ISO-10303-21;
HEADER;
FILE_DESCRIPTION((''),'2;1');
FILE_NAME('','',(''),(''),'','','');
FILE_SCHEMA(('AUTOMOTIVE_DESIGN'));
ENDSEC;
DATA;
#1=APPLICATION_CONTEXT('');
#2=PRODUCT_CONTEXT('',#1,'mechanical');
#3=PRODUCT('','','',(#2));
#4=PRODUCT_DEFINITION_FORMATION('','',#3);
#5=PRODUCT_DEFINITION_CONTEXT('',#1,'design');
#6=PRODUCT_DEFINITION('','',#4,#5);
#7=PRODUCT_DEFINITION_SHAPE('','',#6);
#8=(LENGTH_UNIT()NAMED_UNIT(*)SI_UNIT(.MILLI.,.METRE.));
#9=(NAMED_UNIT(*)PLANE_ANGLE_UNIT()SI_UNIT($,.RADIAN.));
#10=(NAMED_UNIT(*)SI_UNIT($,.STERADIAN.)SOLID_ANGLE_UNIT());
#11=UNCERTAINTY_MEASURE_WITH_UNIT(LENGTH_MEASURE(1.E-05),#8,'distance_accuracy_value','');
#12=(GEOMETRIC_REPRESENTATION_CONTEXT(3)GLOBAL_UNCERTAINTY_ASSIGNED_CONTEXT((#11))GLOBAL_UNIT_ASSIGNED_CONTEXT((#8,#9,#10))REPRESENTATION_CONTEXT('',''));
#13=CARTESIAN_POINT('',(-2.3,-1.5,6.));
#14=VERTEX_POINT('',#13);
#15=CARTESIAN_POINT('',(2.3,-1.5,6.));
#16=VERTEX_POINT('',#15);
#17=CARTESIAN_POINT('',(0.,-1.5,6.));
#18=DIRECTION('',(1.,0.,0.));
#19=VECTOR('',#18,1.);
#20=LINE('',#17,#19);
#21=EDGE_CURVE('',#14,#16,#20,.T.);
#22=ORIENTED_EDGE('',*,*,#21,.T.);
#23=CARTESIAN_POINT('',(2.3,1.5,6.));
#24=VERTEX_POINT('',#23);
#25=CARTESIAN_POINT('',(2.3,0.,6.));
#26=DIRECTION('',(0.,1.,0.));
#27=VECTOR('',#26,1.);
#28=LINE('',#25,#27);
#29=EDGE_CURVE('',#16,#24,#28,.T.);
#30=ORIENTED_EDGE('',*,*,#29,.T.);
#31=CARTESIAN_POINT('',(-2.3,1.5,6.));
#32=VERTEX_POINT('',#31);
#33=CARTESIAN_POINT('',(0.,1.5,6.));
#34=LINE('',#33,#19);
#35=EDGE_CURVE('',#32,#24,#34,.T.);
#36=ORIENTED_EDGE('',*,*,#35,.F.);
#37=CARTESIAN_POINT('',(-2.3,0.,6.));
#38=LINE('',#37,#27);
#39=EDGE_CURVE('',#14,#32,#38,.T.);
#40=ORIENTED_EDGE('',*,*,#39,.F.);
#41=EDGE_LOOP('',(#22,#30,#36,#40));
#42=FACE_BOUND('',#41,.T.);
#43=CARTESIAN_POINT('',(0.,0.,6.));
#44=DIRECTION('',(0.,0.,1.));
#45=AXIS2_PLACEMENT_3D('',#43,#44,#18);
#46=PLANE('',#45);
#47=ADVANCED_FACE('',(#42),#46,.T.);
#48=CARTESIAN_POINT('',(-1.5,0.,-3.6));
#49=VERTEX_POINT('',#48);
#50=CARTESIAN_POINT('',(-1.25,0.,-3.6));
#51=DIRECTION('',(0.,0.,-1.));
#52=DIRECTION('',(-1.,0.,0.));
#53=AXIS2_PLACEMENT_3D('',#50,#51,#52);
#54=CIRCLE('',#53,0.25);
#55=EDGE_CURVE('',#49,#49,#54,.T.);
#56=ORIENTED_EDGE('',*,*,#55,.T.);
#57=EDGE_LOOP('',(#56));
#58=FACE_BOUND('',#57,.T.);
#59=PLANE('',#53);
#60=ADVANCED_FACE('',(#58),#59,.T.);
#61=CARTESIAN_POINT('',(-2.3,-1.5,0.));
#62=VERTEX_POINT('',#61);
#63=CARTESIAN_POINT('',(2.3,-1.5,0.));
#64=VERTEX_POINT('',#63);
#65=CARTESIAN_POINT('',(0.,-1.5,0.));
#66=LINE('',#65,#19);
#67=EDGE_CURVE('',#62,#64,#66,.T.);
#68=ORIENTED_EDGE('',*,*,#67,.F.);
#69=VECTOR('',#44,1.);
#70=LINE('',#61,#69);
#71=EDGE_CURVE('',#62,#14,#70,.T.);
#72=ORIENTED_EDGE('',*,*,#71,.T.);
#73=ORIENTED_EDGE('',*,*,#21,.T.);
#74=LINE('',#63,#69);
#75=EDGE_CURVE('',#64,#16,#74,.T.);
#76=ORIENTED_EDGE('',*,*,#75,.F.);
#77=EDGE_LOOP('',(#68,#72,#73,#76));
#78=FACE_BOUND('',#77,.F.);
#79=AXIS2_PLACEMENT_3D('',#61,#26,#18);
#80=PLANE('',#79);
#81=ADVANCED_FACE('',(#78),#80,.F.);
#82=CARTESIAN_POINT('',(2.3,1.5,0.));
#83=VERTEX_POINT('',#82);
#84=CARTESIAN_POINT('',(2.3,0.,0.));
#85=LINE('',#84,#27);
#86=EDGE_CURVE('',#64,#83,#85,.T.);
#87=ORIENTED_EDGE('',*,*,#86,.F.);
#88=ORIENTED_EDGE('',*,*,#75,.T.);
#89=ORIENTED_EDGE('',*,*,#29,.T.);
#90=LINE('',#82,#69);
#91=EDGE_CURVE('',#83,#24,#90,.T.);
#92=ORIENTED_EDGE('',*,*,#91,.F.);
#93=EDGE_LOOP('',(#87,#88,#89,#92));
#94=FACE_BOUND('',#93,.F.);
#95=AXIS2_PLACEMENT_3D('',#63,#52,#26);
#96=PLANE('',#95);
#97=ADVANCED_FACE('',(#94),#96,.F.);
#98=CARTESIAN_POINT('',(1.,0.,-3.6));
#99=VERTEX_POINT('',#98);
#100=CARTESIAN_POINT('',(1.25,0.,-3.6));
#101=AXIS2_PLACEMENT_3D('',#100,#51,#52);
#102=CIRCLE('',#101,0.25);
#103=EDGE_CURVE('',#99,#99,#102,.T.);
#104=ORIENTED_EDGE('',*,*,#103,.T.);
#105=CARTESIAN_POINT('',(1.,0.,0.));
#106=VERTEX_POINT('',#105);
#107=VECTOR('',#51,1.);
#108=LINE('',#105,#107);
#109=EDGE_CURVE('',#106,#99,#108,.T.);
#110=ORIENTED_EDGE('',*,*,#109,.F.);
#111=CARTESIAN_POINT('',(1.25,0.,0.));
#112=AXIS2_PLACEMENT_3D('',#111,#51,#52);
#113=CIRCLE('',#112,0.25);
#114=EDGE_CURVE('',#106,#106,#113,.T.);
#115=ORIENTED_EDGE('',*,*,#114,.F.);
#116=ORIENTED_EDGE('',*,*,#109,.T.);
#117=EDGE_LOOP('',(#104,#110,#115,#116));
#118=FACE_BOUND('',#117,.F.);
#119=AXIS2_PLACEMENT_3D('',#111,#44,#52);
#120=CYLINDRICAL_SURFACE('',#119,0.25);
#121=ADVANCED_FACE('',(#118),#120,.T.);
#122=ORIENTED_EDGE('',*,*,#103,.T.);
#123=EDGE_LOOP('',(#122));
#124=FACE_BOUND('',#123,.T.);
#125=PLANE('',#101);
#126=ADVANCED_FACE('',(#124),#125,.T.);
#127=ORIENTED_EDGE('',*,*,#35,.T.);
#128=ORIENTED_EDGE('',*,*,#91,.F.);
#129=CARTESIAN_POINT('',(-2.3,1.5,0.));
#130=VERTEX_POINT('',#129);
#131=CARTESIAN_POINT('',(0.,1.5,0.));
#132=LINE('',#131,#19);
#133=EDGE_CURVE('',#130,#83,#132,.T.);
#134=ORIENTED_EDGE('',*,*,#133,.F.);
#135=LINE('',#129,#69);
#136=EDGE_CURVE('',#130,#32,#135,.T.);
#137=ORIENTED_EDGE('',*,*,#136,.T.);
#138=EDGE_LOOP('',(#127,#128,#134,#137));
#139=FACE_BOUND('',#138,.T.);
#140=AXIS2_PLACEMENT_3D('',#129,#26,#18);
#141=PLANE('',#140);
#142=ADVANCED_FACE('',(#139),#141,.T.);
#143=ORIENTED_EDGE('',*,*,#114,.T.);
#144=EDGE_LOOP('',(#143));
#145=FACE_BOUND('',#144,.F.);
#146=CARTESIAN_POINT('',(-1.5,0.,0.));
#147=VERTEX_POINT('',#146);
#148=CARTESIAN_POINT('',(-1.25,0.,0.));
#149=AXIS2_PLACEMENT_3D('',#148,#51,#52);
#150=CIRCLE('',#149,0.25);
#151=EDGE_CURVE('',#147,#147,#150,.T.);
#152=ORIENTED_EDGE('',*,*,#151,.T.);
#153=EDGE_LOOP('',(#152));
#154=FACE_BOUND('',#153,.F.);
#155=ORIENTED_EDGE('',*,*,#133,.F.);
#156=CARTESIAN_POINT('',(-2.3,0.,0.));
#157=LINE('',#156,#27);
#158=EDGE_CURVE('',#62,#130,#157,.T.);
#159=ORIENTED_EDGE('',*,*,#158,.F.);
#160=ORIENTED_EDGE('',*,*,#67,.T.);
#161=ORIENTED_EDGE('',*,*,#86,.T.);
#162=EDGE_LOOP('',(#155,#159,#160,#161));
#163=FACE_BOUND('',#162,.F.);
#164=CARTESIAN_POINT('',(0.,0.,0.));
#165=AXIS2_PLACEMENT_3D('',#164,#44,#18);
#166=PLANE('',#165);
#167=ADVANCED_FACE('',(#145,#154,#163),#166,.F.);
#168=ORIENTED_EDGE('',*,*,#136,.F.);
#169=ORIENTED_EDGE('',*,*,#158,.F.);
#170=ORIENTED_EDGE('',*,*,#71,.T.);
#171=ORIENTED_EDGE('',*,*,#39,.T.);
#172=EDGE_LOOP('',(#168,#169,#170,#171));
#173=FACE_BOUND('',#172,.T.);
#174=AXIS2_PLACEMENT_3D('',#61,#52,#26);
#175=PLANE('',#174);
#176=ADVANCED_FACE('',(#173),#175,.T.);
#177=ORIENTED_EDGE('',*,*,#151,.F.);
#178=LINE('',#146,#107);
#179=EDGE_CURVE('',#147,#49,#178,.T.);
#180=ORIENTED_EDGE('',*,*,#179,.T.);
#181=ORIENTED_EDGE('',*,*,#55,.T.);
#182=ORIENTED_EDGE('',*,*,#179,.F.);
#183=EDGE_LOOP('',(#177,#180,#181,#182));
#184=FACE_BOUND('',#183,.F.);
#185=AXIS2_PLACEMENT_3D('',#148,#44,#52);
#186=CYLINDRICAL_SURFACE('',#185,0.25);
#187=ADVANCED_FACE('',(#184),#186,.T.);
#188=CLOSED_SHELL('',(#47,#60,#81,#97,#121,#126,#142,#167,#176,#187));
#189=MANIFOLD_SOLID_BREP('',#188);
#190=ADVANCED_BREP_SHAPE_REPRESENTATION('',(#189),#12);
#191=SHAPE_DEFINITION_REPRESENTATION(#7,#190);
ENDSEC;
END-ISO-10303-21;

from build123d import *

# Parameters (mm, degrees)
ESQUISSE1_W        = 4.6
ESQUISSE1_H        = 3
BOSS_EXTRU_1_DEPTH = 6
ESQUISSE2_R        = 0.25
BOSS_EXTRU_2_DEPTH = 3.6


with BuildPart() as part:
    # Esquisse1 → Boss.-Extru.1 (new body)
    with BuildSketch(Plane.XY):
        Rectangle(ESQUISSE1_W, ESQUISSE1_H)
    extrude(amount=BOSS_EXTRU_1_DEPTH)

    # Esquisse2 → Boss.-Extru.2 (add)
    with BuildSketch(Plane(origin=(0, 0, 0), x_dir=(-1, 0, 0), z_dir=(0, 0, -1))):
        with Locations((-1.25, 0)):
            Circle(ESQUISSE2_R)
        with Locations((1.25, 0)):
            Circle(ESQUISSE2_R)
    extrude(amount=BOSS_EXTRU_2_DEPTH)


solid = part.part
